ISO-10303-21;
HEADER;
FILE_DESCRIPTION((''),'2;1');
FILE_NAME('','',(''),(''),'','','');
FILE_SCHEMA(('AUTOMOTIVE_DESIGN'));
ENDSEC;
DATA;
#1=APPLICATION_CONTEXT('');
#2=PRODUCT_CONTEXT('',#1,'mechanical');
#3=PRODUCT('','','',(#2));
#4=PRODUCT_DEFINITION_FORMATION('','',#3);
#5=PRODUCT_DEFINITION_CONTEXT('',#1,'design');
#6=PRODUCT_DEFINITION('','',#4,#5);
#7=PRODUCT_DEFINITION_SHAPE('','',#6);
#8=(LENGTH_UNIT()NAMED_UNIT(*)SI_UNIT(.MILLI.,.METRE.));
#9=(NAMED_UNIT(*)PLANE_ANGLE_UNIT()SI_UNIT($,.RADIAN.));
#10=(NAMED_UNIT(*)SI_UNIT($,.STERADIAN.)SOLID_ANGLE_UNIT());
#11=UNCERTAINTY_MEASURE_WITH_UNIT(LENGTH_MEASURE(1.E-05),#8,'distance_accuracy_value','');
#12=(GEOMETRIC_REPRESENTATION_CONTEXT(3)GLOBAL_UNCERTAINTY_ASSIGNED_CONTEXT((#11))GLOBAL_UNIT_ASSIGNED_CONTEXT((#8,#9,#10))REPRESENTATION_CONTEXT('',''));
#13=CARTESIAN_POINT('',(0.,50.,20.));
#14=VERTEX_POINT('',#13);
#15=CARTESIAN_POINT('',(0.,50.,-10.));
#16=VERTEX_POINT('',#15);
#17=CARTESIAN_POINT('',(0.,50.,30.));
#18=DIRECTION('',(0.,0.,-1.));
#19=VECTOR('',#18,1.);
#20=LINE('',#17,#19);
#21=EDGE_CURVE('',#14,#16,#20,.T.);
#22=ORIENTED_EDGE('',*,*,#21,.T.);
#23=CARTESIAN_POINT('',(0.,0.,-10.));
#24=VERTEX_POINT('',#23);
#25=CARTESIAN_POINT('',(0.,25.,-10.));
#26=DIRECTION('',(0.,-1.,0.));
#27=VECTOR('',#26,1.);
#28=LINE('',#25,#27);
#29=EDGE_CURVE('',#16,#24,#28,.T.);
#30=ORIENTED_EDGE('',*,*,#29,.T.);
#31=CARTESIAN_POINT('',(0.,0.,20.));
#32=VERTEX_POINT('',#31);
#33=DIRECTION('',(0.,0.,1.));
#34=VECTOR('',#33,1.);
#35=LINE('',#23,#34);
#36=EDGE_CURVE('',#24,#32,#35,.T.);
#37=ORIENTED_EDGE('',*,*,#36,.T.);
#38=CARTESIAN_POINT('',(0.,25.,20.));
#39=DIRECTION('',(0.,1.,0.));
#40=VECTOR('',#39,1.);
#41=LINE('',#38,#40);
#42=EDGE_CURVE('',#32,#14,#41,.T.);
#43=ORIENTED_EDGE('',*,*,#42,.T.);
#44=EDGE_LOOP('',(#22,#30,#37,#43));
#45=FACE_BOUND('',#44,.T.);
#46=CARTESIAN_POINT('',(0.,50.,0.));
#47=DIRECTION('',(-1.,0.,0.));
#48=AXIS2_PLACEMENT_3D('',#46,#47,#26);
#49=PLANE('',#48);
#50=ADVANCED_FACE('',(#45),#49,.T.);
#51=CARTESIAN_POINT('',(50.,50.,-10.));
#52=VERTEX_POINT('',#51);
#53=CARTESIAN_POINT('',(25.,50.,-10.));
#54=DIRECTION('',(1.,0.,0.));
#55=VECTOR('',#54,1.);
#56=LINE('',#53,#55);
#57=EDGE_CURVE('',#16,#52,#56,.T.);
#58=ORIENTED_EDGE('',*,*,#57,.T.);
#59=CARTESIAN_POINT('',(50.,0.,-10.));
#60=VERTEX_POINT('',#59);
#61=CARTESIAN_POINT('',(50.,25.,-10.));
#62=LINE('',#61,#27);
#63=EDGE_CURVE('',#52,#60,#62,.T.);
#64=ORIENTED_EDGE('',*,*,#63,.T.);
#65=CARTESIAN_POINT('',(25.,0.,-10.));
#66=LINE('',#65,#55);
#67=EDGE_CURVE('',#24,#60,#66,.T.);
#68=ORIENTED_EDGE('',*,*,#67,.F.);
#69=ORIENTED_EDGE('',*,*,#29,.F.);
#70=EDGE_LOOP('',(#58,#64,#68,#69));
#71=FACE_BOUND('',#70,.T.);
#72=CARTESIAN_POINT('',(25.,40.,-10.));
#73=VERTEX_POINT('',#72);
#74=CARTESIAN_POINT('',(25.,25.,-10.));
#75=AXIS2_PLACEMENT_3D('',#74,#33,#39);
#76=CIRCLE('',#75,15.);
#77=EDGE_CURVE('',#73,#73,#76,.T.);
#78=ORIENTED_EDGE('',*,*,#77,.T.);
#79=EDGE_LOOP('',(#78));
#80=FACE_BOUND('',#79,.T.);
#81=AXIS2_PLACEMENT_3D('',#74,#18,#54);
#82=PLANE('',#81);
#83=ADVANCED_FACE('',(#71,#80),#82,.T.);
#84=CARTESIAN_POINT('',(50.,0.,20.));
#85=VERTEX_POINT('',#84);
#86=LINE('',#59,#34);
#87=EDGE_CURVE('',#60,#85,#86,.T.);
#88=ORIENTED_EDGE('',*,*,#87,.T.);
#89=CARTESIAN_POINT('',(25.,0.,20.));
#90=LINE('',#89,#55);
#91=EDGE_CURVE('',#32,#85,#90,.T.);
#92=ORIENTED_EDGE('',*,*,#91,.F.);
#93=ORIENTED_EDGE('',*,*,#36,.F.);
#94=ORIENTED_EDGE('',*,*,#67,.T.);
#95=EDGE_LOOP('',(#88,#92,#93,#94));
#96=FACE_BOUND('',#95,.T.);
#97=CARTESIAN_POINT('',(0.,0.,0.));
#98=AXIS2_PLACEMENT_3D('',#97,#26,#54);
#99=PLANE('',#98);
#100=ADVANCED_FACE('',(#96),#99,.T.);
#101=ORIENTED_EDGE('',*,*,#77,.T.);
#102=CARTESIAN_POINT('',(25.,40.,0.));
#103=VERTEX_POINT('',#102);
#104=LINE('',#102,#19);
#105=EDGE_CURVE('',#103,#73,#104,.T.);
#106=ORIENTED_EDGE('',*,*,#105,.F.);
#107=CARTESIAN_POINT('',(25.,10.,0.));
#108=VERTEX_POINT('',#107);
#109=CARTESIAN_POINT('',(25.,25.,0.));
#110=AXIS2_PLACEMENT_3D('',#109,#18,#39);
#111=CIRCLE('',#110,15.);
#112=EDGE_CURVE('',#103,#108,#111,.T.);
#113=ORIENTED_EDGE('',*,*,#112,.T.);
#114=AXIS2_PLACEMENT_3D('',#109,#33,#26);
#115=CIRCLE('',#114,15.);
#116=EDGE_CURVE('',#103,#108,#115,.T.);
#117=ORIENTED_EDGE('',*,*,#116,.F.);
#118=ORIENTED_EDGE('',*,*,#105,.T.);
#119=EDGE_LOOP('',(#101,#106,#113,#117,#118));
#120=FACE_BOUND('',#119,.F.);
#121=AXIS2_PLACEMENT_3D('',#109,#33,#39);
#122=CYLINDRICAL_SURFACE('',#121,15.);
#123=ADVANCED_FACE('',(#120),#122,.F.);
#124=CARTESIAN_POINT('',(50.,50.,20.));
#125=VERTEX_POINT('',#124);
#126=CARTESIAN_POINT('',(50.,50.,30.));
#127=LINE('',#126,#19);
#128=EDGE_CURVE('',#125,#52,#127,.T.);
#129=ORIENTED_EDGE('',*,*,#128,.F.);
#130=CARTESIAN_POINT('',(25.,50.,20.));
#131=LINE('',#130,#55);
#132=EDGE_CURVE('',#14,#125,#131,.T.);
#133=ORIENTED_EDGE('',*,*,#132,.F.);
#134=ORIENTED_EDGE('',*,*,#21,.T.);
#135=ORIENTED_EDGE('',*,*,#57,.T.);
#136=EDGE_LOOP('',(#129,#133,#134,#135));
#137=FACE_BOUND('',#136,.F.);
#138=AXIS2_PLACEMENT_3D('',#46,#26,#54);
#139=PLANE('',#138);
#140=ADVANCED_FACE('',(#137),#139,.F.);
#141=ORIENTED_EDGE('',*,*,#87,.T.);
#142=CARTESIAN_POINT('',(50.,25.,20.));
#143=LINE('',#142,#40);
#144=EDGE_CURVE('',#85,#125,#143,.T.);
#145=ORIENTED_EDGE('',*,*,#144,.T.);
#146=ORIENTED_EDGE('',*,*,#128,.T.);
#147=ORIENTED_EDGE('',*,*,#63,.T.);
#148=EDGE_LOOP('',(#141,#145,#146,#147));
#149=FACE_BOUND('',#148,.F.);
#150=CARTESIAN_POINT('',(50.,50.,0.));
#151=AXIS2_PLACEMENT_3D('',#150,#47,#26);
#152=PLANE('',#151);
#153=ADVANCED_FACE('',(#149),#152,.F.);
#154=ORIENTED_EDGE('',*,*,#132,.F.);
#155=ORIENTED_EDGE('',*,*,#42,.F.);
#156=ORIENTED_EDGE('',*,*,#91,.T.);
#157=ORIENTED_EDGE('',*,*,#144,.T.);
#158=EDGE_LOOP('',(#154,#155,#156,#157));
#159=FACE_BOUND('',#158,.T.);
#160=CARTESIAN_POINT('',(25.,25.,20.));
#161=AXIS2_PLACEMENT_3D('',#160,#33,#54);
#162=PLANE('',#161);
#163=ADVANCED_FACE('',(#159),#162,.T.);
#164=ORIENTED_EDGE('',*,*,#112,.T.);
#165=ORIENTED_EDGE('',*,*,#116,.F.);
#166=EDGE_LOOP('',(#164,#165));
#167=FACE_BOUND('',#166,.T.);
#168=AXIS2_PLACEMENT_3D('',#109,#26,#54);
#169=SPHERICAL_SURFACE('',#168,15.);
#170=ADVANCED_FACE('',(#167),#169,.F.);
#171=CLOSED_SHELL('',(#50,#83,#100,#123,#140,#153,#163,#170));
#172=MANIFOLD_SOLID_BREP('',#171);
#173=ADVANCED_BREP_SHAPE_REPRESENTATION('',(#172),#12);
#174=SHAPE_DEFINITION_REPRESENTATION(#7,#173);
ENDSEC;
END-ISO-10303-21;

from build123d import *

# Parameters (mm, degrees)
F0_W     = 50
F0_H     = 50
F1_DEPTH = 30
F4_W     = 50
F4_H     = 50
F5_DEPTH = 10
F6_DEPTH = 10


with BuildPart() as f1:
    # F0 (on Top) → F1 (new body)
    with BuildSketch(Plane.XY):
        with Locations((25, 25)):
            Rectangle(F0_W, F0_H)
    extrude(amount=F1_DEPTH)

    # F2 (on face) → F3 (revolve, cut)
    with BuildSketch(Plane(origin=(0, 0, 0), x_dir=(1, 0, 0), z_dir=(0, 0, -1))):
        with BuildLine():
            ThreePointArc((25, -40), (35.6066017178, -35.6066017178), (40, -25))
            ThreePointArc((40, -25), (35.6066017178, -14.3933982822), (25, -10))
            Line((25, -10), (25, -40))
        make_face()
    revolve(axis=Axis((25, 25, 0), (0, 1, 0)), mode=Mode.SUBTRACT)

    # F4 (on face) → F5 (join)
    with BuildSketch(Plane(origin=(0, 0, 0), x_dir=(1, 0, 0), z_dir=(0, 0, -1))):
        with Locations((25, -25)):
            Rectangle(F4_W, F4_H)
        with BuildLine():
            ThreePointArc((25, -10), (40, -25), (25, -40))
            ThreePointArc((25, -40), (10, -25), (25, -10))
        make_face(mode=Mode.SUBTRACT)
    extrude(amount=F5_DEPTH)

    # F6 (cut): a face of the model
    f6_faces = [f1.faces().sort_by_distance(p)[0] for p in [
        (25, 25, 30),
    ]]
    extrude(f6_faces, amount=-F6_DEPTH, mode=Mode.SUBTRACT)


solid = f1.part
